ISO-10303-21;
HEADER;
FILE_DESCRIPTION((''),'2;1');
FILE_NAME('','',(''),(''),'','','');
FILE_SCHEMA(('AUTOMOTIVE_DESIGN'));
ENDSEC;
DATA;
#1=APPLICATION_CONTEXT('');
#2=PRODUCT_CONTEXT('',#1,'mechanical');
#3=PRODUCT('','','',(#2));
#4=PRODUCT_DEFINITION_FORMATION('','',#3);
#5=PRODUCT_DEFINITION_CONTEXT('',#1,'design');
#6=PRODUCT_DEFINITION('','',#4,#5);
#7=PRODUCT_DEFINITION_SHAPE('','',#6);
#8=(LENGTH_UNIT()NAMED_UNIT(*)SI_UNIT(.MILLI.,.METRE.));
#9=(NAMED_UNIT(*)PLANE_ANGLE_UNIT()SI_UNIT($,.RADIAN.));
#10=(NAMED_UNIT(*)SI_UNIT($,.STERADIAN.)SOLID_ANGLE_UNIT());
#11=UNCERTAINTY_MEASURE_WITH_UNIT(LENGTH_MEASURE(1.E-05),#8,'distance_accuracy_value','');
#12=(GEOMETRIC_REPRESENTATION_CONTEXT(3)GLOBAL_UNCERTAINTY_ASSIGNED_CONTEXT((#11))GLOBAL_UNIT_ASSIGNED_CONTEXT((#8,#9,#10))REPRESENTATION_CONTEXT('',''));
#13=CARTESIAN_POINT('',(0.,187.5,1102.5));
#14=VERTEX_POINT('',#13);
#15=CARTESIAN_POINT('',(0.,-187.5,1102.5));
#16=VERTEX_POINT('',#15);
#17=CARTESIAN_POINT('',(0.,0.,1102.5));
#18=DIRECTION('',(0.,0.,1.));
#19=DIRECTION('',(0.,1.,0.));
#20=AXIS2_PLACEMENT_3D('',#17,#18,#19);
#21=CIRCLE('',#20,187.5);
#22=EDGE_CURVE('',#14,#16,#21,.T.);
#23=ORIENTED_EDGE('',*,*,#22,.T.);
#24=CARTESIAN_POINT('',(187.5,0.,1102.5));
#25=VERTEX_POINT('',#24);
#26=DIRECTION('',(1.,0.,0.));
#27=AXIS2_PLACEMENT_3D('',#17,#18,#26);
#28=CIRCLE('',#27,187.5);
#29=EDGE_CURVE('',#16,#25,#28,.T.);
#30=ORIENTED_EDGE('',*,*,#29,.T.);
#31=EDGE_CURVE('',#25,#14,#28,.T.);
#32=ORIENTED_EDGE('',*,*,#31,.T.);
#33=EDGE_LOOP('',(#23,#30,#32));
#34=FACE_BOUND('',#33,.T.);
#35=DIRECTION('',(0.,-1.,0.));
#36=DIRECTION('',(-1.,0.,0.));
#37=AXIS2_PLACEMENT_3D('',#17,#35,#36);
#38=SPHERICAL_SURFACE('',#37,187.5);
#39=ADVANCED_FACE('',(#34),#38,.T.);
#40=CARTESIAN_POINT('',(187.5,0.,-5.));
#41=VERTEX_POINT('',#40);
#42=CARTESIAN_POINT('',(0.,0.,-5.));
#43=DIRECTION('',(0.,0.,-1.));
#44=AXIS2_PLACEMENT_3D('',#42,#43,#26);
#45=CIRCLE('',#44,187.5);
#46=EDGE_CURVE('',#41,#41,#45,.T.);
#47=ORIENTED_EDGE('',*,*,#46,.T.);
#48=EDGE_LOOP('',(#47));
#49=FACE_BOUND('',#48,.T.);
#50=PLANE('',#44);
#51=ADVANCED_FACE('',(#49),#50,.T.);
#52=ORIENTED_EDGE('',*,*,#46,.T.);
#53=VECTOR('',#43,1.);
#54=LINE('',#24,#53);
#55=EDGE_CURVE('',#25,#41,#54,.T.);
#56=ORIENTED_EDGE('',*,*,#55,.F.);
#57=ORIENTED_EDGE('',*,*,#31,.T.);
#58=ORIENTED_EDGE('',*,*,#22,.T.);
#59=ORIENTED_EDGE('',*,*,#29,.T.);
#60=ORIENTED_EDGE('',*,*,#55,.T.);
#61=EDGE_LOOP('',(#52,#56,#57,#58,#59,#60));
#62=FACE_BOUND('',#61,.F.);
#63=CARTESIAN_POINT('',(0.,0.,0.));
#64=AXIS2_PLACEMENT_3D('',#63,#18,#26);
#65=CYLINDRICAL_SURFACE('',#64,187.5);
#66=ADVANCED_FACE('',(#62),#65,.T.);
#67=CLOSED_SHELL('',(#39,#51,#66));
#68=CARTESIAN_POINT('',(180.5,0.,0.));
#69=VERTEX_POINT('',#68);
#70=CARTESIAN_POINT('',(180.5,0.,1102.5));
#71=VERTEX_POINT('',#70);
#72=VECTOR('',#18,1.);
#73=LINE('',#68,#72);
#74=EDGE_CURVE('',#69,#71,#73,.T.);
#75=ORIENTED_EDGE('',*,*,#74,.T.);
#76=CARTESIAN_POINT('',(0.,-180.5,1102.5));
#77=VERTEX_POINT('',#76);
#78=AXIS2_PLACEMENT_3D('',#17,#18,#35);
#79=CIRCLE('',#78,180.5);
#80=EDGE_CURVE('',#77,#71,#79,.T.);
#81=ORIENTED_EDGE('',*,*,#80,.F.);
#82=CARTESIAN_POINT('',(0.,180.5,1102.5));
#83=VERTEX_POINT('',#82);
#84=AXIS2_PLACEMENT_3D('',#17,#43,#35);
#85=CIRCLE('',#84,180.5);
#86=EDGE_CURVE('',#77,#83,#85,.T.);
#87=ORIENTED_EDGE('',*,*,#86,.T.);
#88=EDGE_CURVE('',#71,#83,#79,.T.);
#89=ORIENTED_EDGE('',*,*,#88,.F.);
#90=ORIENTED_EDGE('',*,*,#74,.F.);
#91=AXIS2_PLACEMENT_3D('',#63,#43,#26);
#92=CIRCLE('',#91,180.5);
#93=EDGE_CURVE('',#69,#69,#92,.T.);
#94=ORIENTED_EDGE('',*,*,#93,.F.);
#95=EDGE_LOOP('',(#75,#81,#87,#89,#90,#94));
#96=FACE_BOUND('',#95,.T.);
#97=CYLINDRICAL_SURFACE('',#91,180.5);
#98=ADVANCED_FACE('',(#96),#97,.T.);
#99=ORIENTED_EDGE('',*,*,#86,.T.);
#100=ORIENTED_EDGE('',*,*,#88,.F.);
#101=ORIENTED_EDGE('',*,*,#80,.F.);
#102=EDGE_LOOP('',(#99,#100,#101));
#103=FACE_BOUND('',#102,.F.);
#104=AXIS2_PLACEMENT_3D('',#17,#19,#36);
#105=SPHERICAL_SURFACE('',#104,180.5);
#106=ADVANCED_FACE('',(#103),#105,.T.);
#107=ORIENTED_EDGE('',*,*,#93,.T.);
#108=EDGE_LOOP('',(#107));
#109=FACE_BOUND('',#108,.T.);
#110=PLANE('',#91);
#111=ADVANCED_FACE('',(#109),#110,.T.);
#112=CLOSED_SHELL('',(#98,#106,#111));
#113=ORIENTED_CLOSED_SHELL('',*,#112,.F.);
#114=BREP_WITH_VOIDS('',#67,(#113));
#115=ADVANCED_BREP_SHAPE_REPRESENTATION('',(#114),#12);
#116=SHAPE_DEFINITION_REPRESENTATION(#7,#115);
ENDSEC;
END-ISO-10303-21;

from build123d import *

# Parameters (mm, degrees)
F0_R     = 187.5
F1_DEPTH = 1102.5
F4_R     = 180.5
F5_DEPTH = 1102.5
F6_R     = 187.5
F6_R_2   = 180.5
F7_DEPTH = 5


with BuildPart() as f1:
    # F0 (on Top) → F1 (new body)
    with BuildSketch(Plane.XY):
        Circle(F0_R)
    extrude(amount=F1_DEPTH)

    # F2 (on face) → F3 (revolve)
    with BuildSketch(Plane.XY.offset(1102.5)):
        with BuildLine():
            Line((0, 180.5), (0, 187.5))
            ThreePointArc((0, 187.5), (-187.5, 0), (0, -187.5))
            Line((0, -187.5), (0, -180.5))
            ThreePointArc((0, -180.5), (-180.5, 0), (0, 180.5))
        make_face()
    revolve(axis=Axis((0, -93.75, 1102.5), (0, -1, 0)))

    # F4 (on face) → F5 (cut)
    with BuildSketch(Plane(origin=(0, 0, 0), x_dir=(1, 0, 0), z_dir=(0, 0, -1))):
        Circle(F4_R)
    extrude(amount=-F5_DEPTH, mode=Mode.SUBTRACT)

    # F6 (on face) → F7 (join)
    with BuildSketch(Plane(origin=(0, 0, 0), x_dir=(1, 0, 0), z_dir=(0, 0, -1))):
        Circle(F6_R)
        Circle(F6_R_2)
    extrude(amount=F7_DEPTH)


solid = f1.part
